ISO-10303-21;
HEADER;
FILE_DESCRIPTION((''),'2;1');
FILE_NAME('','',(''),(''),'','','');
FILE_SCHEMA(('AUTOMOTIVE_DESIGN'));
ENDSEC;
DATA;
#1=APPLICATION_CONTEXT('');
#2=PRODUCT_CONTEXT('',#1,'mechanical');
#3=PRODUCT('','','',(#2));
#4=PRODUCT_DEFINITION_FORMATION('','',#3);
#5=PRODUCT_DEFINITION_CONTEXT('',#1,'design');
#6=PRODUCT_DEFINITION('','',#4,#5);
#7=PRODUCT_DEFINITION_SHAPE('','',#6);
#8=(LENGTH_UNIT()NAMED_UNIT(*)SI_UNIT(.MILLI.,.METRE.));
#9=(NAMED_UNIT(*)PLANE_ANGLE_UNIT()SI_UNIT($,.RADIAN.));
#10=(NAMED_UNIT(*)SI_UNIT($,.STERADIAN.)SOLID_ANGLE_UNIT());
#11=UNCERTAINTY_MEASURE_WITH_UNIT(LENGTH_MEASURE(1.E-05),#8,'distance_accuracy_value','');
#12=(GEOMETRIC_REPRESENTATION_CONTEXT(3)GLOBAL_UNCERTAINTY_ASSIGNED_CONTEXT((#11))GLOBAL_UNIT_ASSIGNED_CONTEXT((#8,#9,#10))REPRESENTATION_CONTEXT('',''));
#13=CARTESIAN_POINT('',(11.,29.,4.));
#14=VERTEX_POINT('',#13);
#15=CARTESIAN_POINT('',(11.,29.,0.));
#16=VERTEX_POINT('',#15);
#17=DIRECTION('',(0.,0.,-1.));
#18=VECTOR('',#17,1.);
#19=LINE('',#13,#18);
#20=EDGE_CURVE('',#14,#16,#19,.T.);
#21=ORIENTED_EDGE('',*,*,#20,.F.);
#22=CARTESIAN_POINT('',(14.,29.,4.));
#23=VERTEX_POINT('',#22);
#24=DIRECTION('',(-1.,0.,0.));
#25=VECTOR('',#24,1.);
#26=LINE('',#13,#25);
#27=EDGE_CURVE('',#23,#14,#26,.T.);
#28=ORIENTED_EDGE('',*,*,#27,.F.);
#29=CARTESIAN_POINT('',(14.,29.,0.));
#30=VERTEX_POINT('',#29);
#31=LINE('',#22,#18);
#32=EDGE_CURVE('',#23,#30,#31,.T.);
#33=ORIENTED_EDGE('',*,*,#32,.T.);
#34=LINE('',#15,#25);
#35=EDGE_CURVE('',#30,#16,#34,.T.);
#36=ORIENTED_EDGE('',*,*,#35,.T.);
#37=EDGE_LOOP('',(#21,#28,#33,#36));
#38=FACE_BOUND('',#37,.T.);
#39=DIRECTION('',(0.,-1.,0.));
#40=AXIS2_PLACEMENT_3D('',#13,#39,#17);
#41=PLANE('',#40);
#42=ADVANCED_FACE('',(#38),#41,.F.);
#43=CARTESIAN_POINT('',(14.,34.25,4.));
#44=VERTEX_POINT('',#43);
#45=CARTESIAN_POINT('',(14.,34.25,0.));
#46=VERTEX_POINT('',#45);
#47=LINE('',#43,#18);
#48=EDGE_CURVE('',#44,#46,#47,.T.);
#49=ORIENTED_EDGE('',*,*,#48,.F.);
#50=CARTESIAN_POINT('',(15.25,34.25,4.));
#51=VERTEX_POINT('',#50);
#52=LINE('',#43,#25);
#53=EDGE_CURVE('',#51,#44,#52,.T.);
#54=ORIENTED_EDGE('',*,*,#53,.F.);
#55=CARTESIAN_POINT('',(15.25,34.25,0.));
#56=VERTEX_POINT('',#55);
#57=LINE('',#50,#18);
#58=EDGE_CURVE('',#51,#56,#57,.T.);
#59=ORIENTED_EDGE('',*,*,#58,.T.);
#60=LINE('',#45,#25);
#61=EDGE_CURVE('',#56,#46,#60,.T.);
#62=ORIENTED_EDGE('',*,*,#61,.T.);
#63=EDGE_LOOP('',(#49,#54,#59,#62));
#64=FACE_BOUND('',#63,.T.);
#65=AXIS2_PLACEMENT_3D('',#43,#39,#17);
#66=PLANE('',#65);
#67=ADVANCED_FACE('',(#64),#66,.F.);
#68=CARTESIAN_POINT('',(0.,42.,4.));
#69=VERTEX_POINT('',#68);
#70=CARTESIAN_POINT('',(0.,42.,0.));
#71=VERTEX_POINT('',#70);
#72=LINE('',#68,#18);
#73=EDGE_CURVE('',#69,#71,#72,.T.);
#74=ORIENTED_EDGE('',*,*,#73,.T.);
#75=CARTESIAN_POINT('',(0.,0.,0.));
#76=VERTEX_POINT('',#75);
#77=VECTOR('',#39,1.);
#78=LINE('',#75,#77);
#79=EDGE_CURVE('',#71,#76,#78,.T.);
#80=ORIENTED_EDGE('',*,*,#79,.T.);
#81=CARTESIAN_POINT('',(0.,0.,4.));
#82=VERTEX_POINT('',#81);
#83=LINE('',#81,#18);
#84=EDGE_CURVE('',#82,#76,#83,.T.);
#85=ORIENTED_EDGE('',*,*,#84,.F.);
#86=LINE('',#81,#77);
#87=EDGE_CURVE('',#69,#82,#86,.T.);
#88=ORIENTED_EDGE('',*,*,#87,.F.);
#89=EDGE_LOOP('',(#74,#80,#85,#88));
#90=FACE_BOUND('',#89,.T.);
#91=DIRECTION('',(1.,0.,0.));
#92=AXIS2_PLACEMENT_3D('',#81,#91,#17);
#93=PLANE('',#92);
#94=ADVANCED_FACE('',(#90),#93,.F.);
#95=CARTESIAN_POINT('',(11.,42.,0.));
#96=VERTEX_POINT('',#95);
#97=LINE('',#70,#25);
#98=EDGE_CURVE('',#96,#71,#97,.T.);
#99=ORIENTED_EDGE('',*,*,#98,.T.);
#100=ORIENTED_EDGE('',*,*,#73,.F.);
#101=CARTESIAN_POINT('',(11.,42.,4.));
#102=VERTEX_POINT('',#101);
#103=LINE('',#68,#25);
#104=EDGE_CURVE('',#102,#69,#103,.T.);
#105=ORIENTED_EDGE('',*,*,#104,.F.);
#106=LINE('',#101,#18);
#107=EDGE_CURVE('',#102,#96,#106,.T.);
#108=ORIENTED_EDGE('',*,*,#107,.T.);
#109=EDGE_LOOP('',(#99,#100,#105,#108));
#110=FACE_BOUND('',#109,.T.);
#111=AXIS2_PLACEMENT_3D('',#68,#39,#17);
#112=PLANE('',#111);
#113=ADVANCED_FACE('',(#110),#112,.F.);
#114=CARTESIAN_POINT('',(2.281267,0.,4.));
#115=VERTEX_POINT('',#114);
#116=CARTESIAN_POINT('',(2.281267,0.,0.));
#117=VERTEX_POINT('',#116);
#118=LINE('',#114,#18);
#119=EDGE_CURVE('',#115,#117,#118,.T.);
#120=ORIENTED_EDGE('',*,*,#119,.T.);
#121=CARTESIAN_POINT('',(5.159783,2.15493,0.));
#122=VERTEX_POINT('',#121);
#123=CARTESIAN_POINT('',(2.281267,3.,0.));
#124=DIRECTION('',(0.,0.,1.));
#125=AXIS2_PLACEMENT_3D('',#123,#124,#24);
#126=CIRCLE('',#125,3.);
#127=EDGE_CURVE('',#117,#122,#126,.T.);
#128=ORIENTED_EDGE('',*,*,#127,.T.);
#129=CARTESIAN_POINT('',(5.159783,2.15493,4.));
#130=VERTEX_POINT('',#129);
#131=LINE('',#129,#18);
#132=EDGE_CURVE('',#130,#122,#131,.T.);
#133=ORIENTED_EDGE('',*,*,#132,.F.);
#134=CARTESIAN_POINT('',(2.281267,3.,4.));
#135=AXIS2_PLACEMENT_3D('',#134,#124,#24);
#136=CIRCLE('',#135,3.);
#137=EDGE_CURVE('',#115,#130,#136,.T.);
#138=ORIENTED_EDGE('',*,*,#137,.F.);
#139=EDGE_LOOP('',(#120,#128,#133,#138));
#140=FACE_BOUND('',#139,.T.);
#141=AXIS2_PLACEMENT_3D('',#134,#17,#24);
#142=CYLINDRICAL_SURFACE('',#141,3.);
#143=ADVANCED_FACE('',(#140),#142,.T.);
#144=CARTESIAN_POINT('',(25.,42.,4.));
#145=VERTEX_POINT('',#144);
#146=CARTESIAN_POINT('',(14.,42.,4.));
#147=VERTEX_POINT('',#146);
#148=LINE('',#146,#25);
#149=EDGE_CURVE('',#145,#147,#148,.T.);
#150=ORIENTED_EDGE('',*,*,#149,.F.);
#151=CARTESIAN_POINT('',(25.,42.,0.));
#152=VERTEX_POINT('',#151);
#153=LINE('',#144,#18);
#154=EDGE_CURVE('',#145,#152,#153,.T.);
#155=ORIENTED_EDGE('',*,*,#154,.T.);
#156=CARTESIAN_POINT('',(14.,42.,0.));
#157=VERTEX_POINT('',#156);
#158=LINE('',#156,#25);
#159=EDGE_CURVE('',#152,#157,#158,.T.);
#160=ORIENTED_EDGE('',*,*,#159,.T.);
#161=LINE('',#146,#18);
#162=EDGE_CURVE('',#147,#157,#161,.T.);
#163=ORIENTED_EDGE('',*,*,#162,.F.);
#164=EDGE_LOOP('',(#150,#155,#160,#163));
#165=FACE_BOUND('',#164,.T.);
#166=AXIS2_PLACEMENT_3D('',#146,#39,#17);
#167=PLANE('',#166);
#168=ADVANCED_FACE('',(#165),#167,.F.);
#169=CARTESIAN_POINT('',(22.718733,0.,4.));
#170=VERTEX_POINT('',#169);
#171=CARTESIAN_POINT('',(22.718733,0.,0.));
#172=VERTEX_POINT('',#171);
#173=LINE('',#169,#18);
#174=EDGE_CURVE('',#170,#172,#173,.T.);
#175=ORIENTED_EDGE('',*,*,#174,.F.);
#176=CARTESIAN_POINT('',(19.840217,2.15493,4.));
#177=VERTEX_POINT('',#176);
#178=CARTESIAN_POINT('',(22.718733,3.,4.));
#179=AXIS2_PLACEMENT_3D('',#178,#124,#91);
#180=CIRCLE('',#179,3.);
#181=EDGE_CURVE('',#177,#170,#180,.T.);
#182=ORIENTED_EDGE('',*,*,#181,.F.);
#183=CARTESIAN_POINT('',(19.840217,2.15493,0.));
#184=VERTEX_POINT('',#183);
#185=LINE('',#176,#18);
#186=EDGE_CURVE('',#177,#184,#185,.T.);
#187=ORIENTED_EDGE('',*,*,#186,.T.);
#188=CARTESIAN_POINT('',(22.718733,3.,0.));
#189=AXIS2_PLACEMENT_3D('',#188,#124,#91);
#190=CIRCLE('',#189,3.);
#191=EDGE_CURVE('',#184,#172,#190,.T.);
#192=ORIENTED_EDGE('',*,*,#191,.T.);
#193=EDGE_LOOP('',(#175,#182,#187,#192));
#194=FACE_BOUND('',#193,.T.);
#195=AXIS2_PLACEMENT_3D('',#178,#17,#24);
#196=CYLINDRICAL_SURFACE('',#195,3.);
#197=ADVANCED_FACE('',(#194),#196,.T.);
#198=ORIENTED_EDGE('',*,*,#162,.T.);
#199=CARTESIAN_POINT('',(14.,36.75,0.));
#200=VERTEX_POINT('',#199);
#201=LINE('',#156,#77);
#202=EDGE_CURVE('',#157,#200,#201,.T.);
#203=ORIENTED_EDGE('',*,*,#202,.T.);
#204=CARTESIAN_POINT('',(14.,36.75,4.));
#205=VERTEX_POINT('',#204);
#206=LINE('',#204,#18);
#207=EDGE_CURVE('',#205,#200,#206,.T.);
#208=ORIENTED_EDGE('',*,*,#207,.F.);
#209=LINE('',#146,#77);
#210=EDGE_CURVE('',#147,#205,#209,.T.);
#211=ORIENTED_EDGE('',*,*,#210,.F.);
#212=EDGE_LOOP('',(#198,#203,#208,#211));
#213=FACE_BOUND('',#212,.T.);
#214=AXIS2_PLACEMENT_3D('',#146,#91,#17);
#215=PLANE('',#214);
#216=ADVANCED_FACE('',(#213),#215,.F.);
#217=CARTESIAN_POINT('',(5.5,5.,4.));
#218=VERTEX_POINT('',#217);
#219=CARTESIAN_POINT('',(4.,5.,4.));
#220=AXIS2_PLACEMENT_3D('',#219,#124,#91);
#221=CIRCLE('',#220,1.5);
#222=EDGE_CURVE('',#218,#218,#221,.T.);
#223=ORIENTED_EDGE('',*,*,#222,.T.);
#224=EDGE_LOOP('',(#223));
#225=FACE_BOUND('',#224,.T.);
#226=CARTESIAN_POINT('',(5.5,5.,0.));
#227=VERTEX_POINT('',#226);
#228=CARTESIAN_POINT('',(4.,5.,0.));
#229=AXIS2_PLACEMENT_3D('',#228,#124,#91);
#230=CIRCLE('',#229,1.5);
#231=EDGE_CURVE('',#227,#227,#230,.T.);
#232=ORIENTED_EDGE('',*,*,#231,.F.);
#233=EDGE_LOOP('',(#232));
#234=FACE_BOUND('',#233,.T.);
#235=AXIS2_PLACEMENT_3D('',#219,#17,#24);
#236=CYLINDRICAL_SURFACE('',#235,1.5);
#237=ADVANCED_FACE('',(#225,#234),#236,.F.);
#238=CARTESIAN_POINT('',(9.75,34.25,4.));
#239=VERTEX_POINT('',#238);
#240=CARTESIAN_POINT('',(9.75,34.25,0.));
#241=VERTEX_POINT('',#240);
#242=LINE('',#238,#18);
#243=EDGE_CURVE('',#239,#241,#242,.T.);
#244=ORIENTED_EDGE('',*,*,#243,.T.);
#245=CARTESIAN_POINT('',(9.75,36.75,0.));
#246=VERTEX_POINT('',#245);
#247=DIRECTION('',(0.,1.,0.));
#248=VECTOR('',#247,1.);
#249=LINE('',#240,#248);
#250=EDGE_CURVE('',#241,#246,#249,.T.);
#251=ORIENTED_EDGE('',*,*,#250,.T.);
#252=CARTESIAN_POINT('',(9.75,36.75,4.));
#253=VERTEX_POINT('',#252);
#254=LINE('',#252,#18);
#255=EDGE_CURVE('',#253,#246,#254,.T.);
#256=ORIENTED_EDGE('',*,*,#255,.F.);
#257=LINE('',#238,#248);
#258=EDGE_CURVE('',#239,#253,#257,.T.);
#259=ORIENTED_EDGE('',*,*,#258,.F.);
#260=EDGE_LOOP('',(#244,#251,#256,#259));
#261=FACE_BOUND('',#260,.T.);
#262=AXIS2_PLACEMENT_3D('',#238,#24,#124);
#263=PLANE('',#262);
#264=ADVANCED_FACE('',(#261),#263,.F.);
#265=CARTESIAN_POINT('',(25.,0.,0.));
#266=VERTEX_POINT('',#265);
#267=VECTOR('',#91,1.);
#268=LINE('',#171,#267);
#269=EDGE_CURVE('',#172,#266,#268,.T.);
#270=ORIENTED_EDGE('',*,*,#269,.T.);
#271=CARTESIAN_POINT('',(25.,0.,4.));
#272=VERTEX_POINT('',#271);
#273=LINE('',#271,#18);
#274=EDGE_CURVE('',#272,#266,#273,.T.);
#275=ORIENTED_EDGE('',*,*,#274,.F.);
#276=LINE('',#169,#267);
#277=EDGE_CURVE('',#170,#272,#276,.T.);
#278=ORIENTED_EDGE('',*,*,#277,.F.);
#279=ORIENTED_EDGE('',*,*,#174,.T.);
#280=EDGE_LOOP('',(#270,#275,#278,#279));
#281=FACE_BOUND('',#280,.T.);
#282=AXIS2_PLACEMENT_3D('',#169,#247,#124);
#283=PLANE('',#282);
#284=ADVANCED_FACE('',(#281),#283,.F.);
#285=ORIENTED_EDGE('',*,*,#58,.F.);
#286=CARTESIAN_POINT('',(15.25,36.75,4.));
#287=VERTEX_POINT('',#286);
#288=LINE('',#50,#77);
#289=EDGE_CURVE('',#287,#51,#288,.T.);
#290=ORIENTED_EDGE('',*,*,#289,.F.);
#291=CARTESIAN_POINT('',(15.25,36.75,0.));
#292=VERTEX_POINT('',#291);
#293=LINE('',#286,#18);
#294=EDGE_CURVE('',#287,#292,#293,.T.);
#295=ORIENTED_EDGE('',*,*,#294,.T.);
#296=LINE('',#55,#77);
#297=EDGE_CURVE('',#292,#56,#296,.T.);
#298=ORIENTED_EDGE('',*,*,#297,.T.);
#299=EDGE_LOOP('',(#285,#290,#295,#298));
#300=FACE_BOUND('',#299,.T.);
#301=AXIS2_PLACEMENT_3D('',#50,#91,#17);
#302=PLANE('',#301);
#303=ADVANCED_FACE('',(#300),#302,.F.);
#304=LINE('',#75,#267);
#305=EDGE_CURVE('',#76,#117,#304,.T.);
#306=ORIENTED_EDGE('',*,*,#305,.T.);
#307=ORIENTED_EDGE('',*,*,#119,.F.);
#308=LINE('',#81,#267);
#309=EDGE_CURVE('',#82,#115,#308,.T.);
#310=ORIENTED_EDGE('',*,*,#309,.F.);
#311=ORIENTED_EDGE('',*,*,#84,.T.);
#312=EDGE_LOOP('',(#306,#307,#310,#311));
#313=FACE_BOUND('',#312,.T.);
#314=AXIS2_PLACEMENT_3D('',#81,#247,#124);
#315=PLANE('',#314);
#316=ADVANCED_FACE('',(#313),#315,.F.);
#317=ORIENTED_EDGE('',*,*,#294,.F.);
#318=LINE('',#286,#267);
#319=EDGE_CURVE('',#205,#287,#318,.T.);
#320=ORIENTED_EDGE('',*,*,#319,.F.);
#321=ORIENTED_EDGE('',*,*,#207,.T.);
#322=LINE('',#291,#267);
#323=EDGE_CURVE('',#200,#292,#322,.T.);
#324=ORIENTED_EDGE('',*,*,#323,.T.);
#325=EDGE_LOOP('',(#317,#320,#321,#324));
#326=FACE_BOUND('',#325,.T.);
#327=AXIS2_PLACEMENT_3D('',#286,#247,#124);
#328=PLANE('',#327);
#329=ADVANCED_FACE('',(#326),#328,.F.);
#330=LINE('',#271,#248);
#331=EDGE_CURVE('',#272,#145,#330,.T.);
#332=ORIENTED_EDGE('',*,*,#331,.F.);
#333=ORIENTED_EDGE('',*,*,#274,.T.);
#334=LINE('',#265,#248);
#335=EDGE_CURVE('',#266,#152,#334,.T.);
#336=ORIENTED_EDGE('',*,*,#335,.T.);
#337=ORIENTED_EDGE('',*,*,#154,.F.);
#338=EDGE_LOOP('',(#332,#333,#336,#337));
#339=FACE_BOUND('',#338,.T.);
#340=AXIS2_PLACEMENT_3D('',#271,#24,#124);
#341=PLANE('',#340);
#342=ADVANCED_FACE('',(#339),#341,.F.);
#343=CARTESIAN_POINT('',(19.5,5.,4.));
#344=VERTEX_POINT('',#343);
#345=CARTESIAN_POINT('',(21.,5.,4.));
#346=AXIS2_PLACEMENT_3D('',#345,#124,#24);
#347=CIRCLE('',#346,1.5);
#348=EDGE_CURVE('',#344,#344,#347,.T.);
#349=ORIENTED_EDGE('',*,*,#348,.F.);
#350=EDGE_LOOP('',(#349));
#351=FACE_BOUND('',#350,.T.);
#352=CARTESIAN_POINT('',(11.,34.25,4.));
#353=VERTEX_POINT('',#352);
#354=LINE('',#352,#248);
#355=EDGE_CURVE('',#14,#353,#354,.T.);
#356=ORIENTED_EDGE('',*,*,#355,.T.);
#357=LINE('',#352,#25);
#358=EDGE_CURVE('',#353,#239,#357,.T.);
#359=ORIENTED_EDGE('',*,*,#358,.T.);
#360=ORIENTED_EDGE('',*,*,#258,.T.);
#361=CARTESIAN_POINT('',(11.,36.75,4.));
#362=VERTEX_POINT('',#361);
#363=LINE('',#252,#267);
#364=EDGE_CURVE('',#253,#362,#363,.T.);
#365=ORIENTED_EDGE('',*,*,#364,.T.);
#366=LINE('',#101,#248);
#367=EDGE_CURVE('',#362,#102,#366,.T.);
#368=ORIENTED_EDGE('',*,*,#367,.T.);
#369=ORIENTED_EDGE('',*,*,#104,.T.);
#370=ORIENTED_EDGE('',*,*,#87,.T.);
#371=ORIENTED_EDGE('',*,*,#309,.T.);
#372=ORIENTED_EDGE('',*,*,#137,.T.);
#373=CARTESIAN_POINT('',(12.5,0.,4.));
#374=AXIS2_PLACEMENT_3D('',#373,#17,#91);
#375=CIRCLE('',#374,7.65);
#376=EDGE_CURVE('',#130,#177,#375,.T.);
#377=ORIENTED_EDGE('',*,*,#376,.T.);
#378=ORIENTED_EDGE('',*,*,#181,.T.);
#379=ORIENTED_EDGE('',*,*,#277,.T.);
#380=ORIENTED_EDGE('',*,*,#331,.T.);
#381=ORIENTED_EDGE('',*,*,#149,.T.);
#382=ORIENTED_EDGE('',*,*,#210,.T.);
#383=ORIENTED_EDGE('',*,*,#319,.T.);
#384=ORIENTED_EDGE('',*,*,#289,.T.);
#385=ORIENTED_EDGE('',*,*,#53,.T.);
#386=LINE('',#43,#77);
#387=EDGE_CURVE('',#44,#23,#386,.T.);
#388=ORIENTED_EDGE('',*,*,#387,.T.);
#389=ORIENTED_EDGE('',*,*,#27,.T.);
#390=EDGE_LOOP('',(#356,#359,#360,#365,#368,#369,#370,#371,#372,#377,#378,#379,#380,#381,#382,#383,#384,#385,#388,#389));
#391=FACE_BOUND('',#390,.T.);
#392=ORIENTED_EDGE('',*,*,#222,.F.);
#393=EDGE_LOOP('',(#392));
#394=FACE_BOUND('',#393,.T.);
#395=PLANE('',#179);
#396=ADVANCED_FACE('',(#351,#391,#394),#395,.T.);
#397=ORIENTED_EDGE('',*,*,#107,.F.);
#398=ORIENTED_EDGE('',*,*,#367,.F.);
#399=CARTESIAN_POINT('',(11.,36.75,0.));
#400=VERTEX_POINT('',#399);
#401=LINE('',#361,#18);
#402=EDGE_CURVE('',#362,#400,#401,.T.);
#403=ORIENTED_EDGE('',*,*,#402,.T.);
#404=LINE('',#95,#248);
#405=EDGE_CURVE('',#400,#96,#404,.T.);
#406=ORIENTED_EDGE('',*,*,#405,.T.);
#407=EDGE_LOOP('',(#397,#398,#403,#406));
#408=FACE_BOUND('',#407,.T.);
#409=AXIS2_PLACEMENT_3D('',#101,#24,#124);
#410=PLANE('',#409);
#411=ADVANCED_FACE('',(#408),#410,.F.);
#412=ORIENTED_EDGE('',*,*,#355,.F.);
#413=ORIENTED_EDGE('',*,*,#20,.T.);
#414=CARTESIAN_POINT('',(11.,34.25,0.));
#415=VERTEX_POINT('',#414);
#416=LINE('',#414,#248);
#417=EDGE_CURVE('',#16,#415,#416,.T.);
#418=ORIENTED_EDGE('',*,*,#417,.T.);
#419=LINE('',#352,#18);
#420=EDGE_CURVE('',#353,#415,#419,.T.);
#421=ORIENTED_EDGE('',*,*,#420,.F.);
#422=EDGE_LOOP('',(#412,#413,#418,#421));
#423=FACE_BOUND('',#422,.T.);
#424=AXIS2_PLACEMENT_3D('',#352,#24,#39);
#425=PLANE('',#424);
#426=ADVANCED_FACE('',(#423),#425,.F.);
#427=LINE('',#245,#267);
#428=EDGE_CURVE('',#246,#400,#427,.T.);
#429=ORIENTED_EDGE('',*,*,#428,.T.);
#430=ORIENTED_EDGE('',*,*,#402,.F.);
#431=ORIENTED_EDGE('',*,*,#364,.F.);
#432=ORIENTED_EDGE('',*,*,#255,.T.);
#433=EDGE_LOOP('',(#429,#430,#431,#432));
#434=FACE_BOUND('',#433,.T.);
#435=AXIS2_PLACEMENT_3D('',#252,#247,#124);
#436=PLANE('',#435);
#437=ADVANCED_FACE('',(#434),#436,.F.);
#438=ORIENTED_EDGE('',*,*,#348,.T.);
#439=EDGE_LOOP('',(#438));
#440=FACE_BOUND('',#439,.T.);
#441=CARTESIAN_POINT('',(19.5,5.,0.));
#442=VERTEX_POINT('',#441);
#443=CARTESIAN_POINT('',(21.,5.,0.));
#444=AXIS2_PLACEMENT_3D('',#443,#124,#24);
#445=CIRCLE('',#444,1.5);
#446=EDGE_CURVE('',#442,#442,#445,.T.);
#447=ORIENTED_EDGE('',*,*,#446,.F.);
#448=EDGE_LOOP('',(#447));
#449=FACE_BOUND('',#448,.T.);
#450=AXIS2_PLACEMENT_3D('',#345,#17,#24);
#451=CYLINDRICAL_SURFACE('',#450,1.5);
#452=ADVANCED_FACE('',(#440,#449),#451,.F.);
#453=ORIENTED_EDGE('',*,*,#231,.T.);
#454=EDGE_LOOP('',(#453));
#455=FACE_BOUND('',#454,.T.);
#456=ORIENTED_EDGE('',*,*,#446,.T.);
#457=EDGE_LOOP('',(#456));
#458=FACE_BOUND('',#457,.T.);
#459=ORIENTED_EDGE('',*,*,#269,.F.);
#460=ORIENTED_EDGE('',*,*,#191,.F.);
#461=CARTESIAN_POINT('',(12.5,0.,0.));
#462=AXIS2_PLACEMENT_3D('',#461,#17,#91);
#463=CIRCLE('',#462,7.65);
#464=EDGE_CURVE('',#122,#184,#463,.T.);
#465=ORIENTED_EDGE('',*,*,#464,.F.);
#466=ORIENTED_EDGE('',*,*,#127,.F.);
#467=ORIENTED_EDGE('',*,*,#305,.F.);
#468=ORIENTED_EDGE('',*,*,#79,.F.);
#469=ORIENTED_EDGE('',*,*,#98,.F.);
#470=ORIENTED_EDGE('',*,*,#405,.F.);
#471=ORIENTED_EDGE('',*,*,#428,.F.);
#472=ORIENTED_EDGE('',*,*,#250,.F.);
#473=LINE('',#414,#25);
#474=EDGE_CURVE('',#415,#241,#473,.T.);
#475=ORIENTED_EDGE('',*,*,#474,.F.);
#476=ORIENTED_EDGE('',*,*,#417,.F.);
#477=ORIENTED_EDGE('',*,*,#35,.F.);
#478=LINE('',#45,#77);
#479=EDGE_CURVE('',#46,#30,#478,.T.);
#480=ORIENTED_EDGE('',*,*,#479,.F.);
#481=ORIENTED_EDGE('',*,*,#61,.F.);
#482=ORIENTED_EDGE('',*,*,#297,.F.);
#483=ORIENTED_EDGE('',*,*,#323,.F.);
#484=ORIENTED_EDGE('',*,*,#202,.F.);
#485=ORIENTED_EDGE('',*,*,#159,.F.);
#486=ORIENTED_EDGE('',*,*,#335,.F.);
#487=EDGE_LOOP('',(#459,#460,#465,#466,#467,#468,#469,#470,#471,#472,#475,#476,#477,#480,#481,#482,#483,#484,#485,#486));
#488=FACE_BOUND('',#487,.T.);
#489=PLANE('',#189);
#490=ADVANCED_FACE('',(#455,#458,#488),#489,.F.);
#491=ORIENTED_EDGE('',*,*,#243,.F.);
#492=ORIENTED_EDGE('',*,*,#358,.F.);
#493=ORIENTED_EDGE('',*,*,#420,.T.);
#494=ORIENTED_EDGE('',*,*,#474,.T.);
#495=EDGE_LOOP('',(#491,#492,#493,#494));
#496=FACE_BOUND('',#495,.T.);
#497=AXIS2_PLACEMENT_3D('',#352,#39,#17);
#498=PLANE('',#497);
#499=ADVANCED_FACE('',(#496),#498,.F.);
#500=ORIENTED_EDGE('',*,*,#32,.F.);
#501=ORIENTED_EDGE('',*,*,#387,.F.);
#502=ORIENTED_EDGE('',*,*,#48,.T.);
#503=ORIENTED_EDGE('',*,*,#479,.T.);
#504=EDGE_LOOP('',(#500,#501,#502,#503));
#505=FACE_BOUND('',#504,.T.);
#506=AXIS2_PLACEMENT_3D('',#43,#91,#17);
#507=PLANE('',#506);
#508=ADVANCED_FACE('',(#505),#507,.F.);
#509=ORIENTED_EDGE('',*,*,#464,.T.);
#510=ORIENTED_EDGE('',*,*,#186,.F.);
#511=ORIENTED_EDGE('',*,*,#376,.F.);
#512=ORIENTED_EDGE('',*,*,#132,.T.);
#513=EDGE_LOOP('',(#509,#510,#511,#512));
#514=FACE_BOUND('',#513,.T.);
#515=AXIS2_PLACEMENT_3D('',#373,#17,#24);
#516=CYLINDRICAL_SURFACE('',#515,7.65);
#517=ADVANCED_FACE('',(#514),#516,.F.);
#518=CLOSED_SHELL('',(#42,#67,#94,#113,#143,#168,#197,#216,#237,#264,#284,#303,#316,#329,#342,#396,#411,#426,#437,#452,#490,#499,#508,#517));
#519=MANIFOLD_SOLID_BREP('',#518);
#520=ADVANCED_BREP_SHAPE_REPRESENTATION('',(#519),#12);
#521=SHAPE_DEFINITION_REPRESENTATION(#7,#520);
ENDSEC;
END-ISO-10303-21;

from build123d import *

# Parameters (mm, degrees)
SKETCH_1_R      = 1.5
EXTRUDE_1_DEPTH = 4


with BuildPart() as part:
    # Эскиз1 → Бобышка-Вытянуть1 (new body)
    with BuildSketch(Plane.XY):
        with BuildLine():
            Line((11, 42), (11, 36.75))
            Line((11, 36.75), (9.75, 36.75))
            Line((9.75, 36.75), (9.75, 34.25))
            Line((9.75, 34.25), (11, 34.25))
            Line((11, 34.25), (11, 29))
            Line((11, 29), (14, 29))
            Line((14, 29), (14, 34.25))
            Line((14, 34.25), (15.25, 34.25))
            Line((15.25, 34.25), (15.25, 36.75))
            Line((15.25, 36.75), (14, 36.75))
            Line((14, 36.75), (14, 42))
            Line((14, 42), (25, 42))
            Line((25, 42), (25, 0))
            Line((25, 0), (22.718732798, 0))
            ThreePointArc((22.718732798, 0), (20.920846715, 0.598416016), (19.840216517, 2.154929577))
            ThreePointArc((19.840216517, 2.154929577), (12.5, 7.65), (5.159783483, 2.154929577))
            ThreePointArc((5.159783483, 2.154929577), (4.079153285, 0.598416016), (2.281267202, 0))
            Line((2.281267202, 0), (0, 0))
            Line((0, 0), (0, 42))
            Line((0, 42), (11, 42))
        make_face()
        with Locations((4, 5)):
            Circle(SKETCH_1_R, mode=Mode.SUBTRACT)
        with Locations((21, 5)):
            Circle(SKETCH_1_R, mode=Mode.SUBTRACT)
    extrude(amount=EXTRUDE_1_DEPTH)


solid = part.part
